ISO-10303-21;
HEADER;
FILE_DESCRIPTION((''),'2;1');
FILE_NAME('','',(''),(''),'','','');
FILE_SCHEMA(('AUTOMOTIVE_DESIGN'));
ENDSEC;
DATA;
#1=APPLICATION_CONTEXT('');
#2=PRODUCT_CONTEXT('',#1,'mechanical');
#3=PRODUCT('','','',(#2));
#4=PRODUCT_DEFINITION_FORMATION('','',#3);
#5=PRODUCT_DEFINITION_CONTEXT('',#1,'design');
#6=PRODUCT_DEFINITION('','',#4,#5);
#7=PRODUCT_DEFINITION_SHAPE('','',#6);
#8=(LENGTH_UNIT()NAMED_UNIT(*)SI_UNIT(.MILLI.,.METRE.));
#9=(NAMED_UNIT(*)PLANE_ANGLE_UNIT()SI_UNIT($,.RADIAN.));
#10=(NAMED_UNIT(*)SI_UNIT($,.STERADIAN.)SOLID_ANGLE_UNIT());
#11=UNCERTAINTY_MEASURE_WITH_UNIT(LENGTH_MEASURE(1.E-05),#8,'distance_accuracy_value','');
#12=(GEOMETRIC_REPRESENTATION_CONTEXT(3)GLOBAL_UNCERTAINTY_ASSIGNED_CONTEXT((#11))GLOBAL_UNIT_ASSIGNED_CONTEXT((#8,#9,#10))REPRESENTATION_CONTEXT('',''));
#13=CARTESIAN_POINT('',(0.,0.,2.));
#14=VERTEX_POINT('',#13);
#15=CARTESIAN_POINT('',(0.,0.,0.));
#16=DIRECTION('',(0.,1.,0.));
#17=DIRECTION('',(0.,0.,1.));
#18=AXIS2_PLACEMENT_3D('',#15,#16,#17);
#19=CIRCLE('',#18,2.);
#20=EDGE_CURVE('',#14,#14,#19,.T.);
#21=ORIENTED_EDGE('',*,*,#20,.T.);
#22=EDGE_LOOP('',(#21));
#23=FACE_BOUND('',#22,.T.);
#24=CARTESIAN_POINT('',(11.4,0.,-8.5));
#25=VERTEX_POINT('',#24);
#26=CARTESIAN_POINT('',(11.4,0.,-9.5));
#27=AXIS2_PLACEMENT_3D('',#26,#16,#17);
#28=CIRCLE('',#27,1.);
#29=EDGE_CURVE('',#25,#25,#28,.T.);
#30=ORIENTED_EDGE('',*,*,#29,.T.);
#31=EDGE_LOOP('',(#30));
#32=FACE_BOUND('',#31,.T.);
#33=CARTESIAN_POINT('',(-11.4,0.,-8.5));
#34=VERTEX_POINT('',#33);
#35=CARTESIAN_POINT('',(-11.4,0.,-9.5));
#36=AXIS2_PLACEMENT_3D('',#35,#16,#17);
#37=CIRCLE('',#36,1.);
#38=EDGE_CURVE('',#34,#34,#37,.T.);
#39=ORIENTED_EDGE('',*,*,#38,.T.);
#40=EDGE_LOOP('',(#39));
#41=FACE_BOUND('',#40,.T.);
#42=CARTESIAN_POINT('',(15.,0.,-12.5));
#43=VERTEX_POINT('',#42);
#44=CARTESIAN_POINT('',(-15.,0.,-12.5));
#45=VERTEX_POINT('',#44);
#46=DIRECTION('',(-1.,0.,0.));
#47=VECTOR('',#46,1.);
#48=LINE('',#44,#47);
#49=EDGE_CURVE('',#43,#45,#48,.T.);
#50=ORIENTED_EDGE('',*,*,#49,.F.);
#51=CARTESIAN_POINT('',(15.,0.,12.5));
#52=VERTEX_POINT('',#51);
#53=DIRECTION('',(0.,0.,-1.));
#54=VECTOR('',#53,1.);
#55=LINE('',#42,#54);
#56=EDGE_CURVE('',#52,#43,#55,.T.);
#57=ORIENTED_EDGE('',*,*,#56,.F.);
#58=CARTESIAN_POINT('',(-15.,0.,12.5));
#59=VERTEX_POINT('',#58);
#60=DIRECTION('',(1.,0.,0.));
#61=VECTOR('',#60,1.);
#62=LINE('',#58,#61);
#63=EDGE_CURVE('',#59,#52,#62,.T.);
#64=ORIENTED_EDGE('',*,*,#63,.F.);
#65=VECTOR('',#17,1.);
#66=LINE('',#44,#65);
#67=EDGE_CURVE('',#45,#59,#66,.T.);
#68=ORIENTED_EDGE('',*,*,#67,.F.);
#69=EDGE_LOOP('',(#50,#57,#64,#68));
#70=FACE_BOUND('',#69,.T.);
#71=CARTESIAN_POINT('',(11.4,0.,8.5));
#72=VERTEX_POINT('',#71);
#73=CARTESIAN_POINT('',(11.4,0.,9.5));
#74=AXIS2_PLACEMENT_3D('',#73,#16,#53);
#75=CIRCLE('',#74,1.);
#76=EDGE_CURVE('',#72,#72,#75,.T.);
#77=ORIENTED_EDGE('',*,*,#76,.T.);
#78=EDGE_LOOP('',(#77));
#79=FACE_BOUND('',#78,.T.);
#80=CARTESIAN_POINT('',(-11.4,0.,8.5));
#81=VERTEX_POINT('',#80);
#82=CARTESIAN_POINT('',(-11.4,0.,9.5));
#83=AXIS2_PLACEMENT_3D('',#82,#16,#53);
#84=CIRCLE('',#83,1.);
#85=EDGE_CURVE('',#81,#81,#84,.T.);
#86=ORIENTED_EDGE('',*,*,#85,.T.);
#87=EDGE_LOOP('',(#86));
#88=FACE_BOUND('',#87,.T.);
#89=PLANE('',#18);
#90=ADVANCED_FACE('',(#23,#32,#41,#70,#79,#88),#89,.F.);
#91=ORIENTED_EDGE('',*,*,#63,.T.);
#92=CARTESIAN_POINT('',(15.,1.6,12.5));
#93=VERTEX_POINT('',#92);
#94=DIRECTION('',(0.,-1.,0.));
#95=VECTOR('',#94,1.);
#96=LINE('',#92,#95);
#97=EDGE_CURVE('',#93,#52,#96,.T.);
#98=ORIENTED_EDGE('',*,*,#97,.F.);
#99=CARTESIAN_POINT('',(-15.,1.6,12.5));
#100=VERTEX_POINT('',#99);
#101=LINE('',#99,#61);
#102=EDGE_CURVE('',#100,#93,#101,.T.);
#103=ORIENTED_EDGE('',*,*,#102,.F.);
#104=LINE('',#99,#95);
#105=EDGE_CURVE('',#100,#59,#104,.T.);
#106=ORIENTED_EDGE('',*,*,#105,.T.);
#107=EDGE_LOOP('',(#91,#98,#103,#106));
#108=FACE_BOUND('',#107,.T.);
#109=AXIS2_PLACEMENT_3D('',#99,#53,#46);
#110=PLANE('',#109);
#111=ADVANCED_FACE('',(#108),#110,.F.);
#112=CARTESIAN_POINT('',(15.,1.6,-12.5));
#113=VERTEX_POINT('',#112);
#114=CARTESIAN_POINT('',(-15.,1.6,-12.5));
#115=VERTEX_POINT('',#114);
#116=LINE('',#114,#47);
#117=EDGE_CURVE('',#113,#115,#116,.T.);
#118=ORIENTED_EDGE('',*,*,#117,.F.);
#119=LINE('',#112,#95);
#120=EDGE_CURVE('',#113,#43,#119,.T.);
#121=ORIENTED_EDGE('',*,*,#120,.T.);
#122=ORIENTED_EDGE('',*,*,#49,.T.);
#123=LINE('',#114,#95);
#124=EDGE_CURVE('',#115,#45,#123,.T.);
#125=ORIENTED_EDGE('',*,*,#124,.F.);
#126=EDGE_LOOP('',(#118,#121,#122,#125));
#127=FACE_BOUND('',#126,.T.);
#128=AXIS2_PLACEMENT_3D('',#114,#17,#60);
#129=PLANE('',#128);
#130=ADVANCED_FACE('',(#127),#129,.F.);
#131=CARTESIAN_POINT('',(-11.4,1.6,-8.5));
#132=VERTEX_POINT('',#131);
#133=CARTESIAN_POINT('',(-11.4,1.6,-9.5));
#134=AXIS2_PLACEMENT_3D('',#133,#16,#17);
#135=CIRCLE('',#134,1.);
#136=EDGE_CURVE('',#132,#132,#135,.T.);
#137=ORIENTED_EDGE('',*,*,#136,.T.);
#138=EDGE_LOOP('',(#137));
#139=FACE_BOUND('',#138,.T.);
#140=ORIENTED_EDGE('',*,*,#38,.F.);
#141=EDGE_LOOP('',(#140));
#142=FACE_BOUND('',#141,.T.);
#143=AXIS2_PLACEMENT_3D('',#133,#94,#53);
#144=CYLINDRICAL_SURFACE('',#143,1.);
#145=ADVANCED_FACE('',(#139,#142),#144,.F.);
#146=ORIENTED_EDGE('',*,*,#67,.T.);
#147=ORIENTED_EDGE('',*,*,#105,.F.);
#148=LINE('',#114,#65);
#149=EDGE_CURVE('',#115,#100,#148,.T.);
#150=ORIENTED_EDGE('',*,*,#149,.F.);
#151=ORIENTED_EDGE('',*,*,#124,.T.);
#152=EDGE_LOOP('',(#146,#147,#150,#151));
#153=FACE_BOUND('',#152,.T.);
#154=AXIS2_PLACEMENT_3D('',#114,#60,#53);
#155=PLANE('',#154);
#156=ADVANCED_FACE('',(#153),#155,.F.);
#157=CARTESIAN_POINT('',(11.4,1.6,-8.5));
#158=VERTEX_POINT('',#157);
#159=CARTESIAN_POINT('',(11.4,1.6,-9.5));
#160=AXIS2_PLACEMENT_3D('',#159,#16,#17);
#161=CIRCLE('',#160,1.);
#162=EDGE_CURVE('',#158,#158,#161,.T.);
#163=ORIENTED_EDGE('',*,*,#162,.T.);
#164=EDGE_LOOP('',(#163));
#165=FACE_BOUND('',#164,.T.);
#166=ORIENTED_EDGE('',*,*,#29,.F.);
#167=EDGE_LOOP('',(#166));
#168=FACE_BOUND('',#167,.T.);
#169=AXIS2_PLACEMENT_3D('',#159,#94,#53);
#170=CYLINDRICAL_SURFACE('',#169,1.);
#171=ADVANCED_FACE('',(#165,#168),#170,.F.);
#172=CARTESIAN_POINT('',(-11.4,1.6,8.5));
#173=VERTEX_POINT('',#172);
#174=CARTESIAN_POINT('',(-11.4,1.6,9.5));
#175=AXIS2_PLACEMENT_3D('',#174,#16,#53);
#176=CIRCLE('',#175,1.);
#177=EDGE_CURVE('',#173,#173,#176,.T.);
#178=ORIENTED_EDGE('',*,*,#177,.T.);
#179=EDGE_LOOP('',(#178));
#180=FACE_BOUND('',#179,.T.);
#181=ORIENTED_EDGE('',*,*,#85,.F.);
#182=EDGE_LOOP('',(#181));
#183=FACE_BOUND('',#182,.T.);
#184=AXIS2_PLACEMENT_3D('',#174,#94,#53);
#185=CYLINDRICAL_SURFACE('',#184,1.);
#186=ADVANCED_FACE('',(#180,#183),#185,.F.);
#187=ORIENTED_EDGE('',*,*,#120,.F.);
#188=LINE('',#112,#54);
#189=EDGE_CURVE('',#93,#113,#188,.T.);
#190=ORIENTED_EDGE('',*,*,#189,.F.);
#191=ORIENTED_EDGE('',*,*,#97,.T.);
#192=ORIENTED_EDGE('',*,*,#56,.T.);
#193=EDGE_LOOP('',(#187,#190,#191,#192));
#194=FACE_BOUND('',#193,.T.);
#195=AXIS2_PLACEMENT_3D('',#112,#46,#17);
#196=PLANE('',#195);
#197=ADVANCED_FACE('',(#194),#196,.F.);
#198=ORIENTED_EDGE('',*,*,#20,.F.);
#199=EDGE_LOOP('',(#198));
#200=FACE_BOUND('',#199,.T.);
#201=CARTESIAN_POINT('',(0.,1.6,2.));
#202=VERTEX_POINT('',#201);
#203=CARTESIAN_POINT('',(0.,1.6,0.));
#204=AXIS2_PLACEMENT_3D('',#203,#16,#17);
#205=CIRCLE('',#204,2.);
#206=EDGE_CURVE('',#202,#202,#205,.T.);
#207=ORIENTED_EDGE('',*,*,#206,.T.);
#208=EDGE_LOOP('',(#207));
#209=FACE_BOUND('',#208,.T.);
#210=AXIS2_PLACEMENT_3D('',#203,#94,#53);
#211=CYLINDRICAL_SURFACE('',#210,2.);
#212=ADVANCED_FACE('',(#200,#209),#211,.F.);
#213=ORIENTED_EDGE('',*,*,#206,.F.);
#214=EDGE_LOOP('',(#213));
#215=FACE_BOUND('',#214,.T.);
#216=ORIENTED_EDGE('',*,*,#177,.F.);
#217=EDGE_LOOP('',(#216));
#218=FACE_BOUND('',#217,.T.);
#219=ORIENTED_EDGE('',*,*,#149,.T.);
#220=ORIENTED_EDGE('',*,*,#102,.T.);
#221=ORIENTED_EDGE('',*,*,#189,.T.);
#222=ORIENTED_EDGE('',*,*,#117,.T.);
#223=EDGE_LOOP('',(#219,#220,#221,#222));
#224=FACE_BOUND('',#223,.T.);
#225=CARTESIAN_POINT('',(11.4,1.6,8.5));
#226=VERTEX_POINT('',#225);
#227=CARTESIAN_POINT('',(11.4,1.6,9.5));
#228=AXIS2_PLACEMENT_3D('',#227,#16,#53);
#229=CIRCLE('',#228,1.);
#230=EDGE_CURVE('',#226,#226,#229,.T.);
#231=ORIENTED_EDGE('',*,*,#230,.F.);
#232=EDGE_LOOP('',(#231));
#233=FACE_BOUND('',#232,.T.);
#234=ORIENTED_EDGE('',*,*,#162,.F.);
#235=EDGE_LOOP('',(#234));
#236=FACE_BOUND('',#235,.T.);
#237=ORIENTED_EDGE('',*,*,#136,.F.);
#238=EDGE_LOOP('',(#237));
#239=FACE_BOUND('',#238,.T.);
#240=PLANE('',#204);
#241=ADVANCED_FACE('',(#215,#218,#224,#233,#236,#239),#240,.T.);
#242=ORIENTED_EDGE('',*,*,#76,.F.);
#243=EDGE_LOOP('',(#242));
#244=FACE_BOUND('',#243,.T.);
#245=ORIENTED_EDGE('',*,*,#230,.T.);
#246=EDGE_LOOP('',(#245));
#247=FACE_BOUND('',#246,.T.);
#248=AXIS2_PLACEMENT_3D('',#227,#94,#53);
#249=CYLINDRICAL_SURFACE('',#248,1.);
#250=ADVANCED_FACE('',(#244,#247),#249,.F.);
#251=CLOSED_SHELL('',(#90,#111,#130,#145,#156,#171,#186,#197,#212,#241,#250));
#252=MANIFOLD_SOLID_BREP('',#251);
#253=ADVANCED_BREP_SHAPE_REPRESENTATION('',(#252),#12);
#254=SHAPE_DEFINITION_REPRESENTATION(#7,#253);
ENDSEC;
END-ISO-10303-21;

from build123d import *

# Parameters (mm, degrees)
SKETCH2_W           = 30
SKETCH2_H           = 25
SKETCH2_R           = 1
SKETCH2_R_2         = 2
BOSS_EXTRUDE1_DEPTH = 1.6


with BuildPart() as part:
    # Sketch2 → Boss-Extrude1 (new body)
    with BuildSketch(Plane(origin=(0, 0, 0), x_dir=(1, 0, 0), z_dir=(0, 1, 0))):
        Rectangle(SKETCH2_W, SKETCH2_H)
        with Locations(Location((-11.4, 9.5, 0), (0, 0, 270))):
            Circle(SKETCH2_R, mode=Mode.SUBTRACT)
        with Locations(Location((11.4, 9.5, 0), (0, 0, 270))):
            Circle(SKETCH2_R, mode=Mode.SUBTRACT)
        with Locations(Location((11.4, -9.5, 0), (0, 0, 90))):
            Circle(SKETCH2_R, mode=Mode.SUBTRACT)
        with Locations(Location((-11.4, -9.5, 0), (0, 0, 90))):
            Circle(SKETCH2_R, mode=Mode.SUBTRACT)
        with Locations(Location((0, 0, 0), (0, 0, 270))):
            Circle(SKETCH2_R_2, mode=Mode.SUBTRACT)
    extrude(amount=BOSS_EXTRUDE1_DEPTH)


solid = part.part
